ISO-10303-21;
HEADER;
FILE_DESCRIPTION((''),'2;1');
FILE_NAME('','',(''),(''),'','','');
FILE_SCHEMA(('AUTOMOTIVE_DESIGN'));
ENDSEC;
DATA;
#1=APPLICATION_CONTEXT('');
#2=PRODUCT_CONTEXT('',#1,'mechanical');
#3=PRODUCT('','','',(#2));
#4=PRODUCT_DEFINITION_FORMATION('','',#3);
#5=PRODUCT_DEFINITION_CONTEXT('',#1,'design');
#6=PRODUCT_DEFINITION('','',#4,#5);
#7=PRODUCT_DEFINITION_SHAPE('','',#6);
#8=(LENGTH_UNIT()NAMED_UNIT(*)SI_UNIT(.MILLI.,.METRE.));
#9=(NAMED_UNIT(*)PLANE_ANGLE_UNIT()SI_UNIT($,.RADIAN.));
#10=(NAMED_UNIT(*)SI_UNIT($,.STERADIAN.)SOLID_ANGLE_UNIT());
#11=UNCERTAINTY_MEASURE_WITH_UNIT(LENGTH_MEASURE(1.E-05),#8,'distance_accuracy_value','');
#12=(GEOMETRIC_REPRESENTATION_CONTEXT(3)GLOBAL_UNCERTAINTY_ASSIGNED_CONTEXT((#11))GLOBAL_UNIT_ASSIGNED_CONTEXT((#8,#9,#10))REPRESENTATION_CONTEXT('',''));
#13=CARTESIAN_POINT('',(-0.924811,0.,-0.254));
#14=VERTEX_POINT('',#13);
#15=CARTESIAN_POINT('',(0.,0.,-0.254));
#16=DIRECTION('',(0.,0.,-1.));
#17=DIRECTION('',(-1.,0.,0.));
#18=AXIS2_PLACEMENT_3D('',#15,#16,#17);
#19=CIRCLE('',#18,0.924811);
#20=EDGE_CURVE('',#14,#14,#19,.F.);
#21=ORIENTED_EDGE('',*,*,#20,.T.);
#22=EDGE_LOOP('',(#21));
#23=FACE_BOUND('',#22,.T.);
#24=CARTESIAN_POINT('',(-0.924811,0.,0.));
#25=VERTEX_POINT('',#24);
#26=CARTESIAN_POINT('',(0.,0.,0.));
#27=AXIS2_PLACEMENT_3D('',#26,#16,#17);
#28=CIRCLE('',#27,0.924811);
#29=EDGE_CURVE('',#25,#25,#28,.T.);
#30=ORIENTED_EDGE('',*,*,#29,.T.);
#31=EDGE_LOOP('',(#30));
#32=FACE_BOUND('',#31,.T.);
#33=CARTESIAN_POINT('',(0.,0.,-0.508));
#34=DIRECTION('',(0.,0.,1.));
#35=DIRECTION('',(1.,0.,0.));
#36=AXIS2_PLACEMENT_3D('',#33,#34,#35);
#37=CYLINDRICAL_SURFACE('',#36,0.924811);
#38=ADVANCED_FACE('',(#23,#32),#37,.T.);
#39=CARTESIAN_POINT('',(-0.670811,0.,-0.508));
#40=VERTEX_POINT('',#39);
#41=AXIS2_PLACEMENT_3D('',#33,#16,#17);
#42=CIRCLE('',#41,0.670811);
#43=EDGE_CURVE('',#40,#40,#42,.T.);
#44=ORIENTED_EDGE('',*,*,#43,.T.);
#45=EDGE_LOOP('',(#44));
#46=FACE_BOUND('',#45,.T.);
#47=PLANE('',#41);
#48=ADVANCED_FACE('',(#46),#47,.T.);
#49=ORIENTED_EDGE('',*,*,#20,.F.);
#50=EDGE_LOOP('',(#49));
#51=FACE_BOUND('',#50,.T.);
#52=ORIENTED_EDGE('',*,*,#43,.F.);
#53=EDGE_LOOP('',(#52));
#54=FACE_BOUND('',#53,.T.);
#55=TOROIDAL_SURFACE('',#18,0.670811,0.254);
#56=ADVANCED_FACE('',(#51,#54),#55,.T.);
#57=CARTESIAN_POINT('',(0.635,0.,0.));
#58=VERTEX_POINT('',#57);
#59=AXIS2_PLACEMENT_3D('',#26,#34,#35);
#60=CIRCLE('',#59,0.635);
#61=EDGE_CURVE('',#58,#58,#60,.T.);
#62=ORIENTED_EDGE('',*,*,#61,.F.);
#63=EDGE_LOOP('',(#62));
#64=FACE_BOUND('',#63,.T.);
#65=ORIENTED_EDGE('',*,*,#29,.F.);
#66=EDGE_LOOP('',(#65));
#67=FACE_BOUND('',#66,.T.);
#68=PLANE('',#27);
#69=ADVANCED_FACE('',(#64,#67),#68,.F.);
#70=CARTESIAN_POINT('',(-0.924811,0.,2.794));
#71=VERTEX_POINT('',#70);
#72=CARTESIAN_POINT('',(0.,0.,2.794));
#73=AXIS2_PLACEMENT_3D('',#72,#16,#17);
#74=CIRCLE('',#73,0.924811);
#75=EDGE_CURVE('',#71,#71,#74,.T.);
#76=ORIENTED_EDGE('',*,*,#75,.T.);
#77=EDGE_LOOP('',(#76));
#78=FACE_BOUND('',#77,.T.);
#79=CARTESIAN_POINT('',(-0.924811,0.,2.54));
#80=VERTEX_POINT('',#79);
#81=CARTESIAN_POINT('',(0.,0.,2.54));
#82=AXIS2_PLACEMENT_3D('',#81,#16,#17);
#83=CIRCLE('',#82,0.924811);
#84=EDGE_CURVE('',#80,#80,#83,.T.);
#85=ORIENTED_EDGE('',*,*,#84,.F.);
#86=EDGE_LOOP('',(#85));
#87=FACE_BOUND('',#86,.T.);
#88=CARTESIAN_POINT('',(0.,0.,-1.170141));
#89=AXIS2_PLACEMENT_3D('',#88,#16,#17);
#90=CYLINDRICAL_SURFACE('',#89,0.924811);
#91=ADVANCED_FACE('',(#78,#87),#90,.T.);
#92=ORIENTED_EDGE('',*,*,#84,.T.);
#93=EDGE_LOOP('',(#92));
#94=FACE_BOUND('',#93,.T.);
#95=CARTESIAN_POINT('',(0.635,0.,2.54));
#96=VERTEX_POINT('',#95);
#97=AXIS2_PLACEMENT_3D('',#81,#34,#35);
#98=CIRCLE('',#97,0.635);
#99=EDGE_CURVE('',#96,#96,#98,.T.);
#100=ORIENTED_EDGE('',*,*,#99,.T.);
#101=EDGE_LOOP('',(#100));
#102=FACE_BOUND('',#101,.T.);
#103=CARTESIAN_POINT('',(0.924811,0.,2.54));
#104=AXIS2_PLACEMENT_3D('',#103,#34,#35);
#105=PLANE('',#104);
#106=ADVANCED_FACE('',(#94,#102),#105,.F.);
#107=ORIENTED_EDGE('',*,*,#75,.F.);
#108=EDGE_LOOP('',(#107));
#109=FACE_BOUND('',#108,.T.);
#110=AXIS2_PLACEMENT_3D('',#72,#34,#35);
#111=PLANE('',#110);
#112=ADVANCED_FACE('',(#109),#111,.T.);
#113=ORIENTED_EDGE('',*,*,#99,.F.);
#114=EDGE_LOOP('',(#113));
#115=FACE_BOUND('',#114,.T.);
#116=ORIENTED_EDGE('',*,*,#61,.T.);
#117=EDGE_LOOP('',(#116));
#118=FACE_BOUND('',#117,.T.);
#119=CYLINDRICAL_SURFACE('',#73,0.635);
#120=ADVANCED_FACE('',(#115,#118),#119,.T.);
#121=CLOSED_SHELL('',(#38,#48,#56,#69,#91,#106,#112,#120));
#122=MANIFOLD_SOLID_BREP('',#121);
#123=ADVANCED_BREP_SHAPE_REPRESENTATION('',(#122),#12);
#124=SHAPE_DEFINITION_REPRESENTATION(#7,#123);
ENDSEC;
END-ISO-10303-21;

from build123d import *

# Parameters (mm, degrees)
SKETCH1_R           = 0.635
BOSS_EXTRUDE1_DEPTH = 2.794
SKETCH3_R           = 0.924810793
BOSS_EXTRUDE2_DEPTH = 0.508
FILLET2_R           = 0.254
SKETCH4_W           = 0.289810793
SKETCH4_H           = 0.254


with BuildPart() as part:
    # Sketch1 → Boss-Extrude1 (new body)
    with BuildSketch(Plane.XY):
        Circle(SKETCH1_R)
    extrude(amount=BOSS_EXTRUDE1_DEPTH)

    # Sketch3 → Boss-Extrude2 (add)
    with BuildSketch(Plane(origin=(0, 0, 0), x_dir=(-1, 0, 0), z_dir=(0, 0, -1))):
        Circle(SKETCH3_R)
    extrude(amount=BOSS_EXTRUDE2_DEPTH)

    # Fillet2
    fillet2_edges = [part.edges().sort_by_distance(p)[0] for p in [
        (0.924810793, 0, -0.508),
    ]]
    fillet(fillet2_edges, radius=FILLET2_R)

    # Sketch4 → Revolve2 (revolve)
    with BuildSketch(Plane(origin=(0, 0, 0), x_dir=(1, 0, 0), z_dir=(0, 1, 0))):
        with Locations((0.779905397, -2.667)):
            Rectangle(SKETCH4_W, SKETCH4_H)
    revolve(axis=Axis((0, 0, -1.170141318), (0, 0, 1)))


solid = part.part
